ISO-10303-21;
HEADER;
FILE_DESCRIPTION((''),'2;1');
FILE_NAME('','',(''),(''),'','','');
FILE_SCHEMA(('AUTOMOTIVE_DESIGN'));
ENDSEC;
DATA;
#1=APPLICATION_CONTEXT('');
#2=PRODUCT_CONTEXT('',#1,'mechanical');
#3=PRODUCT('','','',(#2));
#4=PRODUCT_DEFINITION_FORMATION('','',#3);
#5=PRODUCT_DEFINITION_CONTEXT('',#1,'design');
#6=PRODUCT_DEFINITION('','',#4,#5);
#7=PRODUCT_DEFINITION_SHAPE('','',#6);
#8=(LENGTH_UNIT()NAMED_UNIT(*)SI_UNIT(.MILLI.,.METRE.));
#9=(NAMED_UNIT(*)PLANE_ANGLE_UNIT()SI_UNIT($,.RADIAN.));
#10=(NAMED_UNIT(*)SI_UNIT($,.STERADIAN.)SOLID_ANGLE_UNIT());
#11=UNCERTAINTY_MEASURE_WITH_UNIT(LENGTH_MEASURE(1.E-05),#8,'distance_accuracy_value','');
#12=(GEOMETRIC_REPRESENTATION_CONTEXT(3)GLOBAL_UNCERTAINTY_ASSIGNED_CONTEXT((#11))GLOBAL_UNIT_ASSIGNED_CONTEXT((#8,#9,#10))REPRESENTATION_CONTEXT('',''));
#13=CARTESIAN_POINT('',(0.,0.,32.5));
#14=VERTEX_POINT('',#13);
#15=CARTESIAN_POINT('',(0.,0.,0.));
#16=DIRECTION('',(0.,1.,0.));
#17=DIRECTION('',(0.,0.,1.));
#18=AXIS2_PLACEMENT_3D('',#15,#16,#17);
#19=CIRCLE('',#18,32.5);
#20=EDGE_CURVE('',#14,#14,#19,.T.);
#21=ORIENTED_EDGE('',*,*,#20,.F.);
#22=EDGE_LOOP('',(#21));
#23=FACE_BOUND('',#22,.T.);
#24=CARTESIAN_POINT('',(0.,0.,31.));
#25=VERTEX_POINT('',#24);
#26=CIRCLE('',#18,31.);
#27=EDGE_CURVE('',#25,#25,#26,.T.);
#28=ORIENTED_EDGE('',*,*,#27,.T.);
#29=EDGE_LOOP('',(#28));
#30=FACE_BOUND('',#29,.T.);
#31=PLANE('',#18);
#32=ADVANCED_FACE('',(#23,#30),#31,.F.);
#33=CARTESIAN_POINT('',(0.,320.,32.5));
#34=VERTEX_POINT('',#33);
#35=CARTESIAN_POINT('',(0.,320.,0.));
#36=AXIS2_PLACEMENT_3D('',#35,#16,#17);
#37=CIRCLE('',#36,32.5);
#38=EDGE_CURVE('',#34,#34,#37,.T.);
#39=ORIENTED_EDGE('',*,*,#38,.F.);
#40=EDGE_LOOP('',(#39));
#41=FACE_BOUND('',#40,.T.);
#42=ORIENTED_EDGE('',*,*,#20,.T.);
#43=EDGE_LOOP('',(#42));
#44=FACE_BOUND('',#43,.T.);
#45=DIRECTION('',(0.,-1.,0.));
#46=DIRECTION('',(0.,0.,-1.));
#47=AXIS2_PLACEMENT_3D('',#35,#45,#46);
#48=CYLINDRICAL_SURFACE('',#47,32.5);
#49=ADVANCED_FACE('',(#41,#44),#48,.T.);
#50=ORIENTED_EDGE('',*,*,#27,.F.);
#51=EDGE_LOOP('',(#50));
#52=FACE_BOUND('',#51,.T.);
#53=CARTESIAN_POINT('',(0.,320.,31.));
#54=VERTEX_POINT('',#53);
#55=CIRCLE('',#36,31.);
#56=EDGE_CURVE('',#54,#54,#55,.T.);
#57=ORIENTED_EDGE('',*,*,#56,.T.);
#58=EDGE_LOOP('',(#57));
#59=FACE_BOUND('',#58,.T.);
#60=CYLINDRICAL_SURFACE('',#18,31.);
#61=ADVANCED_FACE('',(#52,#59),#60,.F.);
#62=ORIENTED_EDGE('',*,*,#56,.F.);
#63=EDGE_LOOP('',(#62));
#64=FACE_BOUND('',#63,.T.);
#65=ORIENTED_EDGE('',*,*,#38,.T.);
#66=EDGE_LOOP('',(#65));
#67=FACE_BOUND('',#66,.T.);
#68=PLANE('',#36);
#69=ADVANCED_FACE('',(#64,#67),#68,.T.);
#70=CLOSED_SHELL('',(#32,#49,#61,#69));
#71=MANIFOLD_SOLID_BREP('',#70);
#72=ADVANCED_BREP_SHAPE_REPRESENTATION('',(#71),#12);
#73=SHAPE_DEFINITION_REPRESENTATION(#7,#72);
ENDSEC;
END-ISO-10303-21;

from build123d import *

# Parameters (mm, degrees)
SKETCH_1_R          = 32.5
EXTRUDE_1_DEPTH     = 320
SKETCH_2_R          = 31
CUT_EXTRUDE_1_DEPTH = 324.283930934


with BuildPart() as part:
    # 草图1 → 凸台-拉伸1 (new body)
    with BuildSketch(Plane(origin=(0, 0, 0), x_dir=(1, 0, 0), z_dir=(0, 1, 0))):
        with Locations(Location((0, 0, 0), (0, 0, 270))):
            Circle(SKETCH_1_R)
    extrude(amount=EXTRUDE_1_DEPTH)

    # 草图2 → 切除-拉伸1 (cut, through all)
    with BuildSketch(Plane(origin=(0, 320, 0), x_dir=(1, 0, 0), z_dir=(0, 1, 0))):
        with Locations(Location((0, 0, 0), (0, 0, 270))):
            Circle(SKETCH_2_R)
    extrude(amount=-CUT_EXTRUDE_1_DEPTH, mode=Mode.SUBTRACT)


solid = part.part
